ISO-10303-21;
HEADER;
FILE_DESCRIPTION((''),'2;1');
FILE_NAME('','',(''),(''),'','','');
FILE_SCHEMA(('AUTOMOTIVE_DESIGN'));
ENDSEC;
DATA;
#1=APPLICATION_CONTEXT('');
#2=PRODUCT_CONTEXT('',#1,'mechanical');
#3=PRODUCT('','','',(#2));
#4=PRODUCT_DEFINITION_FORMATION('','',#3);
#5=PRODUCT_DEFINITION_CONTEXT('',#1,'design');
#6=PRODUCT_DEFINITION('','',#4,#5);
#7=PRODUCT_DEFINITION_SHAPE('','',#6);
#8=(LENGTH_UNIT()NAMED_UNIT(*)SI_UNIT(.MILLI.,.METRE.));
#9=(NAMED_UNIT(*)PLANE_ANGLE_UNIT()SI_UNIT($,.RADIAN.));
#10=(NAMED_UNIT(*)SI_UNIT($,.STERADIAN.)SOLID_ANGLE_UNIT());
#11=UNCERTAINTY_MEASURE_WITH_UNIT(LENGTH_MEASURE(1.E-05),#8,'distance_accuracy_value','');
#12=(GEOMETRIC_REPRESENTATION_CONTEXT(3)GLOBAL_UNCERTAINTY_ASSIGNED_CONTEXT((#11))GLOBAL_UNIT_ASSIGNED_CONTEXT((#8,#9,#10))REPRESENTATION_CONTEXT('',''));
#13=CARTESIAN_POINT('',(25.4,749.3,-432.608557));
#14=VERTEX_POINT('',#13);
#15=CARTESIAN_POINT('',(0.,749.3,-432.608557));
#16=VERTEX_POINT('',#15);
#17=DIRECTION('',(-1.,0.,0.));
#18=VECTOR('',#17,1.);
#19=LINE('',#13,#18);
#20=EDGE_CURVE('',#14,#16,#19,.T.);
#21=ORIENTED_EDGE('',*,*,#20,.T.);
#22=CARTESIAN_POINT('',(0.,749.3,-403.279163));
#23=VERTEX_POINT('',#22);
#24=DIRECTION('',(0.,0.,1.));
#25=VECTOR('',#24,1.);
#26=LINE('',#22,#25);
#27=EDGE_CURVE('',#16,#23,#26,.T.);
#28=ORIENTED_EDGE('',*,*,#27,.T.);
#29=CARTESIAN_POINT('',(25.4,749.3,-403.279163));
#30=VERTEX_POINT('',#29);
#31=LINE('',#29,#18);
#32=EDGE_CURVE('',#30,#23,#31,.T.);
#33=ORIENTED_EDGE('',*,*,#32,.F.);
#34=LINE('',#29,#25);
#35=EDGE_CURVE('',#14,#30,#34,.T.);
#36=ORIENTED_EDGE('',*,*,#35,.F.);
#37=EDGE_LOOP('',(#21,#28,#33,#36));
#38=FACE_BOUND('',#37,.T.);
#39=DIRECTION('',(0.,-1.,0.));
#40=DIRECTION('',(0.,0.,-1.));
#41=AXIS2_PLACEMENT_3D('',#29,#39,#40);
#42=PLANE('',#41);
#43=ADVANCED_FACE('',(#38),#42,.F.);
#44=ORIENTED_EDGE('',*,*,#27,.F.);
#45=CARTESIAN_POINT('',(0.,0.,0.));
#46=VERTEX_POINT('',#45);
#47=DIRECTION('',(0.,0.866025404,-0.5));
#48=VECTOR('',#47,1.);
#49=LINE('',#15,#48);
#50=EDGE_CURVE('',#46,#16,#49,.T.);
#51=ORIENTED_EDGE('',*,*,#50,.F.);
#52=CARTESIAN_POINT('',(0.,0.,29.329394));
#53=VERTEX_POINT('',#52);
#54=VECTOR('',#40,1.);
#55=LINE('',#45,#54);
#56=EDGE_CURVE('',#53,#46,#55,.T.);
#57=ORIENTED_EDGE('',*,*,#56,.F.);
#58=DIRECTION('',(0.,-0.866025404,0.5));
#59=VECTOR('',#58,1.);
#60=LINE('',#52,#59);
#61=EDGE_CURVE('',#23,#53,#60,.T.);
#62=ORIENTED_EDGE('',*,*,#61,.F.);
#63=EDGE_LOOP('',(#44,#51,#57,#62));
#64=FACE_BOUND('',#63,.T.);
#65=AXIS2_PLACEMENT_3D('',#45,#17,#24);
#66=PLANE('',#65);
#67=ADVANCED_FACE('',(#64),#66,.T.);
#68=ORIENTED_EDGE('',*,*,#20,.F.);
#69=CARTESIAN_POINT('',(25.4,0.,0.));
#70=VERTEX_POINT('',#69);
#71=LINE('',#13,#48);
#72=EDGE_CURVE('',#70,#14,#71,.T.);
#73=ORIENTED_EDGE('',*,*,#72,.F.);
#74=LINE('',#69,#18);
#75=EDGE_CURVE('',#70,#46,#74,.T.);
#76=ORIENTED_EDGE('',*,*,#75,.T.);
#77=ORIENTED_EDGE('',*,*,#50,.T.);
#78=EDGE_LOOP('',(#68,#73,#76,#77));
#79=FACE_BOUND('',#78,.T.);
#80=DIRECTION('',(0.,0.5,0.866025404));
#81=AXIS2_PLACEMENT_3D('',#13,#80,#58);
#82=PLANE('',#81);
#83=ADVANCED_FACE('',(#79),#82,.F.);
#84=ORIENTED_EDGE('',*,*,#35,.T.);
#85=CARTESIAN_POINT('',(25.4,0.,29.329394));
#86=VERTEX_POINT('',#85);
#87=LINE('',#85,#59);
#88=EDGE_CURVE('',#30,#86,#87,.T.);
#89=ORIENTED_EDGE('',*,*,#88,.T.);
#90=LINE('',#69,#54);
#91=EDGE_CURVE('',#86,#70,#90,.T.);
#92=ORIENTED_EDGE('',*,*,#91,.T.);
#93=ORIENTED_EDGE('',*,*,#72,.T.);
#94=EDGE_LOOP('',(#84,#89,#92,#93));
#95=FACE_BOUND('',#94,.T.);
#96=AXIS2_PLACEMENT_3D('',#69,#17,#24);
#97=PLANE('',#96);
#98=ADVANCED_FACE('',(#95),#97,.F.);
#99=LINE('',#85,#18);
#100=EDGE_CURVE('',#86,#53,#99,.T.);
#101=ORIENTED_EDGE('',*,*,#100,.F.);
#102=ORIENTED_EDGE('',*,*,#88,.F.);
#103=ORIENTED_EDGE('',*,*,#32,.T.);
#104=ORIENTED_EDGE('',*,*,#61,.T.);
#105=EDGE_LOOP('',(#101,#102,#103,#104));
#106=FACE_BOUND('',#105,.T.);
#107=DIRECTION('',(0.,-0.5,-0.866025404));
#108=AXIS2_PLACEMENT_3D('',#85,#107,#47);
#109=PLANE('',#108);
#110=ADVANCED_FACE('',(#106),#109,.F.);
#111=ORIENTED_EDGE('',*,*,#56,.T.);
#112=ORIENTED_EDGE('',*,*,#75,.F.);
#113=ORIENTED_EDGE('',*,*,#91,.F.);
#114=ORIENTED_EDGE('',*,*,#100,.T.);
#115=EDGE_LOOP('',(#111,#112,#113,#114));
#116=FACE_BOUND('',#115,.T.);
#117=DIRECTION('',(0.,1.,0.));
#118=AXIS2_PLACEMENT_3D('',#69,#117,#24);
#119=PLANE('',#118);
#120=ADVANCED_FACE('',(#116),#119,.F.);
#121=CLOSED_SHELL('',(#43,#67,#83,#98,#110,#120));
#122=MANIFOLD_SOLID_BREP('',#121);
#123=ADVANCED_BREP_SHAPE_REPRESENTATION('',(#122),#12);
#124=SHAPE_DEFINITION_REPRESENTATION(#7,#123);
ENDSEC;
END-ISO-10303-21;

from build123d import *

# Parameters (mm, degrees)
BOSS_EXTRUDE1_DEPTH = 25.4


with BuildPart() as part:
    # Sketch1 → Boss-Extrude1 (new body)
    with BuildSketch(Plane(origin=(0, 0, 0), x_dir=(0, 0, -1), z_dir=(1, 0, 0))):
        Polygon((0, 0), (-29.329393675, 0), (403.279163029, 749.3), (432.608556704, 749.3), align=None)
    extrude(amount=BOSS_EXTRUDE1_DEPTH)


solid = part.part
